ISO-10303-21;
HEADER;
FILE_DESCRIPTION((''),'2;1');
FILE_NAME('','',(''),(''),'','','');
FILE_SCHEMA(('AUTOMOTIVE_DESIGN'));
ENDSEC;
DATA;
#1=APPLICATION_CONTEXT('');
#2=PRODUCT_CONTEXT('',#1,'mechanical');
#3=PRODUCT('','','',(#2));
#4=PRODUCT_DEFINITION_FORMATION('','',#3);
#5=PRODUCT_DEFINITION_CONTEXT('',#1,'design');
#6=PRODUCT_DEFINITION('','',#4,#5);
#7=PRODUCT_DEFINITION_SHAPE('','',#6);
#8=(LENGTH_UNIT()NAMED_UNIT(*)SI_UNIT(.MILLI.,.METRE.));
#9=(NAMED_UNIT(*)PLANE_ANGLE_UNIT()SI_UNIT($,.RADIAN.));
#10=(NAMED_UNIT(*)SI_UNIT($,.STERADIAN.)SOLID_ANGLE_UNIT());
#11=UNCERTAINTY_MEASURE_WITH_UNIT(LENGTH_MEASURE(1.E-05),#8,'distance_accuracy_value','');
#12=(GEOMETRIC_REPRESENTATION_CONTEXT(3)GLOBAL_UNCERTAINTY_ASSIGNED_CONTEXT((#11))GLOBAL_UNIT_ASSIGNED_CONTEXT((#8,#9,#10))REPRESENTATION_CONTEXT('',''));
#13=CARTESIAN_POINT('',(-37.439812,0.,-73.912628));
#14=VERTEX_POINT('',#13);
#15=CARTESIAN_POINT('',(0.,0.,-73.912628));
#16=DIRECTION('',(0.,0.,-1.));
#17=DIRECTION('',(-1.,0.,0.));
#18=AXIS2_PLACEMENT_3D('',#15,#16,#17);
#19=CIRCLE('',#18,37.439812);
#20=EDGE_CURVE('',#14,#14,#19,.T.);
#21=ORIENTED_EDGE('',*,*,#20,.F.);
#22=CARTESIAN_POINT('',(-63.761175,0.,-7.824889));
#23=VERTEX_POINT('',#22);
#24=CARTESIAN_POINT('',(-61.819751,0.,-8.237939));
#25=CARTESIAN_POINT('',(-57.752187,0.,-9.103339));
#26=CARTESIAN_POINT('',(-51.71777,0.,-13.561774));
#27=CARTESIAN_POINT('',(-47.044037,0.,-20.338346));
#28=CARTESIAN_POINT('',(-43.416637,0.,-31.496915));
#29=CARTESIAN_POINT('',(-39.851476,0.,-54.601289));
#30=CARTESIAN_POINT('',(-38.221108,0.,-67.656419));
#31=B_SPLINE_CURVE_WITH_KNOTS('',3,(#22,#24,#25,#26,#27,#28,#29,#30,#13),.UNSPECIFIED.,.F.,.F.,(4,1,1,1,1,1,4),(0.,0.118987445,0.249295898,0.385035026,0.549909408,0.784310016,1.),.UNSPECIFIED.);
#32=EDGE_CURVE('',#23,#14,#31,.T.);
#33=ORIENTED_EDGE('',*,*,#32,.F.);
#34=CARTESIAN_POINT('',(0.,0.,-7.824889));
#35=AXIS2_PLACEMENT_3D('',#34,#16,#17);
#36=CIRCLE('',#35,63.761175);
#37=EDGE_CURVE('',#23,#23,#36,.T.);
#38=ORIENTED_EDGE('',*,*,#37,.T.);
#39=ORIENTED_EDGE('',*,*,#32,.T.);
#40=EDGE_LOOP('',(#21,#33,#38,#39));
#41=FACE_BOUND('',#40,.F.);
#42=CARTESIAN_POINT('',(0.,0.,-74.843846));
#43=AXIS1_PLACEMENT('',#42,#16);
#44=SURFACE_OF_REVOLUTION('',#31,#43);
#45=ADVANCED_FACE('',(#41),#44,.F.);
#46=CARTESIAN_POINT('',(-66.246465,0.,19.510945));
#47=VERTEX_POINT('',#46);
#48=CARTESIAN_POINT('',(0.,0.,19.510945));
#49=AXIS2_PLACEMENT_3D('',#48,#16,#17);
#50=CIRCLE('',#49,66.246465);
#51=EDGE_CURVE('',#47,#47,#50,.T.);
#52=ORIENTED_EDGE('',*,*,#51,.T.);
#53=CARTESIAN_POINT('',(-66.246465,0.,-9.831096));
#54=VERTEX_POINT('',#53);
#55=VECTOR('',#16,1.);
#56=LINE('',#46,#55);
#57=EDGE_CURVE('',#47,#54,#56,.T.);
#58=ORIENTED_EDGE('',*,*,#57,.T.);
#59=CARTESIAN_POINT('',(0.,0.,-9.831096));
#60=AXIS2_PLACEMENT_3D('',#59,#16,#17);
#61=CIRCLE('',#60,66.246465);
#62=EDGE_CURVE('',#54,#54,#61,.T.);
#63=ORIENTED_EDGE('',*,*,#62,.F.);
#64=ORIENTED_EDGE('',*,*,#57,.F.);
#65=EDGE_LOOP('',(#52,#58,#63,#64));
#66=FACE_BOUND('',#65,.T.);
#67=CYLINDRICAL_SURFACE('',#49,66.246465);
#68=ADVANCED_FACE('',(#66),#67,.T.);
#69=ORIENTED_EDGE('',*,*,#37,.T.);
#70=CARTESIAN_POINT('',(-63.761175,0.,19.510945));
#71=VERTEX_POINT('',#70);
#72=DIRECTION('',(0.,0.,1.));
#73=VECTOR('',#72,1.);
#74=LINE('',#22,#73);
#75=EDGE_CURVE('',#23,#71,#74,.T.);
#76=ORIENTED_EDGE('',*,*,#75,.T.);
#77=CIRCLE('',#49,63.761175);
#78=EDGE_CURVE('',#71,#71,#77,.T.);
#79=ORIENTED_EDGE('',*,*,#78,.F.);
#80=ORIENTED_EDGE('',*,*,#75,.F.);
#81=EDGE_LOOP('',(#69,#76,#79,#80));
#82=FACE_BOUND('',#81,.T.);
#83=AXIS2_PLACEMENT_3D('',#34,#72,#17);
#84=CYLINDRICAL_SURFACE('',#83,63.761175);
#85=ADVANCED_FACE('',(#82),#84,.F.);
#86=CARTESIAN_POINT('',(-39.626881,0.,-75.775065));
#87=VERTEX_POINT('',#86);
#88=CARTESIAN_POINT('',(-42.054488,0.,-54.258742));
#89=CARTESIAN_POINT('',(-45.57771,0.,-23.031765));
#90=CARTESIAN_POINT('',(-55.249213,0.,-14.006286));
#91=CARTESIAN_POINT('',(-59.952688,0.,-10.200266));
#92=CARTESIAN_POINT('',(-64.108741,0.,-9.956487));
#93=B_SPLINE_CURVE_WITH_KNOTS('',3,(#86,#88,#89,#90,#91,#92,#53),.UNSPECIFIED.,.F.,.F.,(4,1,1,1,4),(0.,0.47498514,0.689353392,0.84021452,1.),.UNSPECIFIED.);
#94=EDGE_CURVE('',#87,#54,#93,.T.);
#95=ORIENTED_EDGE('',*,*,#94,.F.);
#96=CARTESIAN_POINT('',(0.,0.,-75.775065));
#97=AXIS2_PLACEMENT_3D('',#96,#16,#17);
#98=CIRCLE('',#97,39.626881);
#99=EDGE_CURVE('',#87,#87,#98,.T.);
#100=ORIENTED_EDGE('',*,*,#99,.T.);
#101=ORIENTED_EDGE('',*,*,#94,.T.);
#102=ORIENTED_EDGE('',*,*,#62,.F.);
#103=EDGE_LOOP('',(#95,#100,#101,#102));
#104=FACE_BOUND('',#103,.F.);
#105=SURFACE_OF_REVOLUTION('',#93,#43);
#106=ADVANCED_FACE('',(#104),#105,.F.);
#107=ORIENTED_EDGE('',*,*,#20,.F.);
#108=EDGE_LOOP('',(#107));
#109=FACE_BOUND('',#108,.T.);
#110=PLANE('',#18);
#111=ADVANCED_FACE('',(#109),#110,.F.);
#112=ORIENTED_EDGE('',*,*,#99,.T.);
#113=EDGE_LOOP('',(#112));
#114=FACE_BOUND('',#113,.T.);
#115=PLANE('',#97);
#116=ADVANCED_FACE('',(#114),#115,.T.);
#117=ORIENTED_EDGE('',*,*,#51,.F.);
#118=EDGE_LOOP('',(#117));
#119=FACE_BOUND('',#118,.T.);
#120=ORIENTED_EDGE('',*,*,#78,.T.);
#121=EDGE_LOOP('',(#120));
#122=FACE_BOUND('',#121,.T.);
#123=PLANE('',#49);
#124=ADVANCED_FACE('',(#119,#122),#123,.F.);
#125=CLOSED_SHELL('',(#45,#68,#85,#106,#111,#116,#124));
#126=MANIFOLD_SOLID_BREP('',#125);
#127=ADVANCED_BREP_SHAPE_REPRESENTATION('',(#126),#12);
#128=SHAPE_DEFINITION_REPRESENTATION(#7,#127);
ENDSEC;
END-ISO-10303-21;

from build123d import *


with BuildPart() as f1:
    # F0 (on Front) → F1 (revolve)
    with BuildSketch(Plane.XZ):
        with BuildLine():
            Line((-39.6268814802, -75.775064528), (0, -75.775064528))
            Line((0, -75.775064528), (0, -73.912627995))
            Line((0, -73.912627995), (-37.4398119748, -73.912627995))
            add(Edge.make_bspline(
                [(-63.7611746788, -7.8248893842), (-61.8197506908, -8.2379394689), (-57.7521867901, -9.1033391055), (-51.7177700576, -13.5617736719), (-47.0440371995, -20.3383458348), (-43.4166366206, -31.4969154038), (-39.8514759143, -54.6012890338), (-38.2211080592, -67.6564190478), (-37.4398119748, -73.912627995)],
                knots=[0, 0, 0, 0, 0.1189874452, 0.2492958981, 0.3850350264, 0.5499094084, 0.7843100158, 1, 1, 1, 1], degree=3))
            Line((-63.7611746788, -7.8248893842), (-63.7611746788, 19.5109453052))
            Line((-63.7611746788, 19.5109453052), (-66.2464648485, 19.5109453052))
            Line((-66.2464648485, 19.5109453052), (-66.2464648485, -9.8310960457))
            add(Edge.make_bspline(
                [(-39.6268814802, -75.775064528), (-42.0544875966, -54.2587419261), (-45.5777104732, -23.0317650705), (-55.2492129351, -14.0062862174), (-59.952688288, -10.2002661155), (-64.1087405461, -9.9564871876), (-66.2464648485, -9.8310960457)],
                knots=[0, 0, 0, 0, 0.4749851397, 0.6893533917, 0.8402145202, 1, 1, 1, 1], degree=3))
        make_face()
    revolve(axis=Axis((0, 0, -74.8438462615), (0, 0, -1)))


solid = f1.part
